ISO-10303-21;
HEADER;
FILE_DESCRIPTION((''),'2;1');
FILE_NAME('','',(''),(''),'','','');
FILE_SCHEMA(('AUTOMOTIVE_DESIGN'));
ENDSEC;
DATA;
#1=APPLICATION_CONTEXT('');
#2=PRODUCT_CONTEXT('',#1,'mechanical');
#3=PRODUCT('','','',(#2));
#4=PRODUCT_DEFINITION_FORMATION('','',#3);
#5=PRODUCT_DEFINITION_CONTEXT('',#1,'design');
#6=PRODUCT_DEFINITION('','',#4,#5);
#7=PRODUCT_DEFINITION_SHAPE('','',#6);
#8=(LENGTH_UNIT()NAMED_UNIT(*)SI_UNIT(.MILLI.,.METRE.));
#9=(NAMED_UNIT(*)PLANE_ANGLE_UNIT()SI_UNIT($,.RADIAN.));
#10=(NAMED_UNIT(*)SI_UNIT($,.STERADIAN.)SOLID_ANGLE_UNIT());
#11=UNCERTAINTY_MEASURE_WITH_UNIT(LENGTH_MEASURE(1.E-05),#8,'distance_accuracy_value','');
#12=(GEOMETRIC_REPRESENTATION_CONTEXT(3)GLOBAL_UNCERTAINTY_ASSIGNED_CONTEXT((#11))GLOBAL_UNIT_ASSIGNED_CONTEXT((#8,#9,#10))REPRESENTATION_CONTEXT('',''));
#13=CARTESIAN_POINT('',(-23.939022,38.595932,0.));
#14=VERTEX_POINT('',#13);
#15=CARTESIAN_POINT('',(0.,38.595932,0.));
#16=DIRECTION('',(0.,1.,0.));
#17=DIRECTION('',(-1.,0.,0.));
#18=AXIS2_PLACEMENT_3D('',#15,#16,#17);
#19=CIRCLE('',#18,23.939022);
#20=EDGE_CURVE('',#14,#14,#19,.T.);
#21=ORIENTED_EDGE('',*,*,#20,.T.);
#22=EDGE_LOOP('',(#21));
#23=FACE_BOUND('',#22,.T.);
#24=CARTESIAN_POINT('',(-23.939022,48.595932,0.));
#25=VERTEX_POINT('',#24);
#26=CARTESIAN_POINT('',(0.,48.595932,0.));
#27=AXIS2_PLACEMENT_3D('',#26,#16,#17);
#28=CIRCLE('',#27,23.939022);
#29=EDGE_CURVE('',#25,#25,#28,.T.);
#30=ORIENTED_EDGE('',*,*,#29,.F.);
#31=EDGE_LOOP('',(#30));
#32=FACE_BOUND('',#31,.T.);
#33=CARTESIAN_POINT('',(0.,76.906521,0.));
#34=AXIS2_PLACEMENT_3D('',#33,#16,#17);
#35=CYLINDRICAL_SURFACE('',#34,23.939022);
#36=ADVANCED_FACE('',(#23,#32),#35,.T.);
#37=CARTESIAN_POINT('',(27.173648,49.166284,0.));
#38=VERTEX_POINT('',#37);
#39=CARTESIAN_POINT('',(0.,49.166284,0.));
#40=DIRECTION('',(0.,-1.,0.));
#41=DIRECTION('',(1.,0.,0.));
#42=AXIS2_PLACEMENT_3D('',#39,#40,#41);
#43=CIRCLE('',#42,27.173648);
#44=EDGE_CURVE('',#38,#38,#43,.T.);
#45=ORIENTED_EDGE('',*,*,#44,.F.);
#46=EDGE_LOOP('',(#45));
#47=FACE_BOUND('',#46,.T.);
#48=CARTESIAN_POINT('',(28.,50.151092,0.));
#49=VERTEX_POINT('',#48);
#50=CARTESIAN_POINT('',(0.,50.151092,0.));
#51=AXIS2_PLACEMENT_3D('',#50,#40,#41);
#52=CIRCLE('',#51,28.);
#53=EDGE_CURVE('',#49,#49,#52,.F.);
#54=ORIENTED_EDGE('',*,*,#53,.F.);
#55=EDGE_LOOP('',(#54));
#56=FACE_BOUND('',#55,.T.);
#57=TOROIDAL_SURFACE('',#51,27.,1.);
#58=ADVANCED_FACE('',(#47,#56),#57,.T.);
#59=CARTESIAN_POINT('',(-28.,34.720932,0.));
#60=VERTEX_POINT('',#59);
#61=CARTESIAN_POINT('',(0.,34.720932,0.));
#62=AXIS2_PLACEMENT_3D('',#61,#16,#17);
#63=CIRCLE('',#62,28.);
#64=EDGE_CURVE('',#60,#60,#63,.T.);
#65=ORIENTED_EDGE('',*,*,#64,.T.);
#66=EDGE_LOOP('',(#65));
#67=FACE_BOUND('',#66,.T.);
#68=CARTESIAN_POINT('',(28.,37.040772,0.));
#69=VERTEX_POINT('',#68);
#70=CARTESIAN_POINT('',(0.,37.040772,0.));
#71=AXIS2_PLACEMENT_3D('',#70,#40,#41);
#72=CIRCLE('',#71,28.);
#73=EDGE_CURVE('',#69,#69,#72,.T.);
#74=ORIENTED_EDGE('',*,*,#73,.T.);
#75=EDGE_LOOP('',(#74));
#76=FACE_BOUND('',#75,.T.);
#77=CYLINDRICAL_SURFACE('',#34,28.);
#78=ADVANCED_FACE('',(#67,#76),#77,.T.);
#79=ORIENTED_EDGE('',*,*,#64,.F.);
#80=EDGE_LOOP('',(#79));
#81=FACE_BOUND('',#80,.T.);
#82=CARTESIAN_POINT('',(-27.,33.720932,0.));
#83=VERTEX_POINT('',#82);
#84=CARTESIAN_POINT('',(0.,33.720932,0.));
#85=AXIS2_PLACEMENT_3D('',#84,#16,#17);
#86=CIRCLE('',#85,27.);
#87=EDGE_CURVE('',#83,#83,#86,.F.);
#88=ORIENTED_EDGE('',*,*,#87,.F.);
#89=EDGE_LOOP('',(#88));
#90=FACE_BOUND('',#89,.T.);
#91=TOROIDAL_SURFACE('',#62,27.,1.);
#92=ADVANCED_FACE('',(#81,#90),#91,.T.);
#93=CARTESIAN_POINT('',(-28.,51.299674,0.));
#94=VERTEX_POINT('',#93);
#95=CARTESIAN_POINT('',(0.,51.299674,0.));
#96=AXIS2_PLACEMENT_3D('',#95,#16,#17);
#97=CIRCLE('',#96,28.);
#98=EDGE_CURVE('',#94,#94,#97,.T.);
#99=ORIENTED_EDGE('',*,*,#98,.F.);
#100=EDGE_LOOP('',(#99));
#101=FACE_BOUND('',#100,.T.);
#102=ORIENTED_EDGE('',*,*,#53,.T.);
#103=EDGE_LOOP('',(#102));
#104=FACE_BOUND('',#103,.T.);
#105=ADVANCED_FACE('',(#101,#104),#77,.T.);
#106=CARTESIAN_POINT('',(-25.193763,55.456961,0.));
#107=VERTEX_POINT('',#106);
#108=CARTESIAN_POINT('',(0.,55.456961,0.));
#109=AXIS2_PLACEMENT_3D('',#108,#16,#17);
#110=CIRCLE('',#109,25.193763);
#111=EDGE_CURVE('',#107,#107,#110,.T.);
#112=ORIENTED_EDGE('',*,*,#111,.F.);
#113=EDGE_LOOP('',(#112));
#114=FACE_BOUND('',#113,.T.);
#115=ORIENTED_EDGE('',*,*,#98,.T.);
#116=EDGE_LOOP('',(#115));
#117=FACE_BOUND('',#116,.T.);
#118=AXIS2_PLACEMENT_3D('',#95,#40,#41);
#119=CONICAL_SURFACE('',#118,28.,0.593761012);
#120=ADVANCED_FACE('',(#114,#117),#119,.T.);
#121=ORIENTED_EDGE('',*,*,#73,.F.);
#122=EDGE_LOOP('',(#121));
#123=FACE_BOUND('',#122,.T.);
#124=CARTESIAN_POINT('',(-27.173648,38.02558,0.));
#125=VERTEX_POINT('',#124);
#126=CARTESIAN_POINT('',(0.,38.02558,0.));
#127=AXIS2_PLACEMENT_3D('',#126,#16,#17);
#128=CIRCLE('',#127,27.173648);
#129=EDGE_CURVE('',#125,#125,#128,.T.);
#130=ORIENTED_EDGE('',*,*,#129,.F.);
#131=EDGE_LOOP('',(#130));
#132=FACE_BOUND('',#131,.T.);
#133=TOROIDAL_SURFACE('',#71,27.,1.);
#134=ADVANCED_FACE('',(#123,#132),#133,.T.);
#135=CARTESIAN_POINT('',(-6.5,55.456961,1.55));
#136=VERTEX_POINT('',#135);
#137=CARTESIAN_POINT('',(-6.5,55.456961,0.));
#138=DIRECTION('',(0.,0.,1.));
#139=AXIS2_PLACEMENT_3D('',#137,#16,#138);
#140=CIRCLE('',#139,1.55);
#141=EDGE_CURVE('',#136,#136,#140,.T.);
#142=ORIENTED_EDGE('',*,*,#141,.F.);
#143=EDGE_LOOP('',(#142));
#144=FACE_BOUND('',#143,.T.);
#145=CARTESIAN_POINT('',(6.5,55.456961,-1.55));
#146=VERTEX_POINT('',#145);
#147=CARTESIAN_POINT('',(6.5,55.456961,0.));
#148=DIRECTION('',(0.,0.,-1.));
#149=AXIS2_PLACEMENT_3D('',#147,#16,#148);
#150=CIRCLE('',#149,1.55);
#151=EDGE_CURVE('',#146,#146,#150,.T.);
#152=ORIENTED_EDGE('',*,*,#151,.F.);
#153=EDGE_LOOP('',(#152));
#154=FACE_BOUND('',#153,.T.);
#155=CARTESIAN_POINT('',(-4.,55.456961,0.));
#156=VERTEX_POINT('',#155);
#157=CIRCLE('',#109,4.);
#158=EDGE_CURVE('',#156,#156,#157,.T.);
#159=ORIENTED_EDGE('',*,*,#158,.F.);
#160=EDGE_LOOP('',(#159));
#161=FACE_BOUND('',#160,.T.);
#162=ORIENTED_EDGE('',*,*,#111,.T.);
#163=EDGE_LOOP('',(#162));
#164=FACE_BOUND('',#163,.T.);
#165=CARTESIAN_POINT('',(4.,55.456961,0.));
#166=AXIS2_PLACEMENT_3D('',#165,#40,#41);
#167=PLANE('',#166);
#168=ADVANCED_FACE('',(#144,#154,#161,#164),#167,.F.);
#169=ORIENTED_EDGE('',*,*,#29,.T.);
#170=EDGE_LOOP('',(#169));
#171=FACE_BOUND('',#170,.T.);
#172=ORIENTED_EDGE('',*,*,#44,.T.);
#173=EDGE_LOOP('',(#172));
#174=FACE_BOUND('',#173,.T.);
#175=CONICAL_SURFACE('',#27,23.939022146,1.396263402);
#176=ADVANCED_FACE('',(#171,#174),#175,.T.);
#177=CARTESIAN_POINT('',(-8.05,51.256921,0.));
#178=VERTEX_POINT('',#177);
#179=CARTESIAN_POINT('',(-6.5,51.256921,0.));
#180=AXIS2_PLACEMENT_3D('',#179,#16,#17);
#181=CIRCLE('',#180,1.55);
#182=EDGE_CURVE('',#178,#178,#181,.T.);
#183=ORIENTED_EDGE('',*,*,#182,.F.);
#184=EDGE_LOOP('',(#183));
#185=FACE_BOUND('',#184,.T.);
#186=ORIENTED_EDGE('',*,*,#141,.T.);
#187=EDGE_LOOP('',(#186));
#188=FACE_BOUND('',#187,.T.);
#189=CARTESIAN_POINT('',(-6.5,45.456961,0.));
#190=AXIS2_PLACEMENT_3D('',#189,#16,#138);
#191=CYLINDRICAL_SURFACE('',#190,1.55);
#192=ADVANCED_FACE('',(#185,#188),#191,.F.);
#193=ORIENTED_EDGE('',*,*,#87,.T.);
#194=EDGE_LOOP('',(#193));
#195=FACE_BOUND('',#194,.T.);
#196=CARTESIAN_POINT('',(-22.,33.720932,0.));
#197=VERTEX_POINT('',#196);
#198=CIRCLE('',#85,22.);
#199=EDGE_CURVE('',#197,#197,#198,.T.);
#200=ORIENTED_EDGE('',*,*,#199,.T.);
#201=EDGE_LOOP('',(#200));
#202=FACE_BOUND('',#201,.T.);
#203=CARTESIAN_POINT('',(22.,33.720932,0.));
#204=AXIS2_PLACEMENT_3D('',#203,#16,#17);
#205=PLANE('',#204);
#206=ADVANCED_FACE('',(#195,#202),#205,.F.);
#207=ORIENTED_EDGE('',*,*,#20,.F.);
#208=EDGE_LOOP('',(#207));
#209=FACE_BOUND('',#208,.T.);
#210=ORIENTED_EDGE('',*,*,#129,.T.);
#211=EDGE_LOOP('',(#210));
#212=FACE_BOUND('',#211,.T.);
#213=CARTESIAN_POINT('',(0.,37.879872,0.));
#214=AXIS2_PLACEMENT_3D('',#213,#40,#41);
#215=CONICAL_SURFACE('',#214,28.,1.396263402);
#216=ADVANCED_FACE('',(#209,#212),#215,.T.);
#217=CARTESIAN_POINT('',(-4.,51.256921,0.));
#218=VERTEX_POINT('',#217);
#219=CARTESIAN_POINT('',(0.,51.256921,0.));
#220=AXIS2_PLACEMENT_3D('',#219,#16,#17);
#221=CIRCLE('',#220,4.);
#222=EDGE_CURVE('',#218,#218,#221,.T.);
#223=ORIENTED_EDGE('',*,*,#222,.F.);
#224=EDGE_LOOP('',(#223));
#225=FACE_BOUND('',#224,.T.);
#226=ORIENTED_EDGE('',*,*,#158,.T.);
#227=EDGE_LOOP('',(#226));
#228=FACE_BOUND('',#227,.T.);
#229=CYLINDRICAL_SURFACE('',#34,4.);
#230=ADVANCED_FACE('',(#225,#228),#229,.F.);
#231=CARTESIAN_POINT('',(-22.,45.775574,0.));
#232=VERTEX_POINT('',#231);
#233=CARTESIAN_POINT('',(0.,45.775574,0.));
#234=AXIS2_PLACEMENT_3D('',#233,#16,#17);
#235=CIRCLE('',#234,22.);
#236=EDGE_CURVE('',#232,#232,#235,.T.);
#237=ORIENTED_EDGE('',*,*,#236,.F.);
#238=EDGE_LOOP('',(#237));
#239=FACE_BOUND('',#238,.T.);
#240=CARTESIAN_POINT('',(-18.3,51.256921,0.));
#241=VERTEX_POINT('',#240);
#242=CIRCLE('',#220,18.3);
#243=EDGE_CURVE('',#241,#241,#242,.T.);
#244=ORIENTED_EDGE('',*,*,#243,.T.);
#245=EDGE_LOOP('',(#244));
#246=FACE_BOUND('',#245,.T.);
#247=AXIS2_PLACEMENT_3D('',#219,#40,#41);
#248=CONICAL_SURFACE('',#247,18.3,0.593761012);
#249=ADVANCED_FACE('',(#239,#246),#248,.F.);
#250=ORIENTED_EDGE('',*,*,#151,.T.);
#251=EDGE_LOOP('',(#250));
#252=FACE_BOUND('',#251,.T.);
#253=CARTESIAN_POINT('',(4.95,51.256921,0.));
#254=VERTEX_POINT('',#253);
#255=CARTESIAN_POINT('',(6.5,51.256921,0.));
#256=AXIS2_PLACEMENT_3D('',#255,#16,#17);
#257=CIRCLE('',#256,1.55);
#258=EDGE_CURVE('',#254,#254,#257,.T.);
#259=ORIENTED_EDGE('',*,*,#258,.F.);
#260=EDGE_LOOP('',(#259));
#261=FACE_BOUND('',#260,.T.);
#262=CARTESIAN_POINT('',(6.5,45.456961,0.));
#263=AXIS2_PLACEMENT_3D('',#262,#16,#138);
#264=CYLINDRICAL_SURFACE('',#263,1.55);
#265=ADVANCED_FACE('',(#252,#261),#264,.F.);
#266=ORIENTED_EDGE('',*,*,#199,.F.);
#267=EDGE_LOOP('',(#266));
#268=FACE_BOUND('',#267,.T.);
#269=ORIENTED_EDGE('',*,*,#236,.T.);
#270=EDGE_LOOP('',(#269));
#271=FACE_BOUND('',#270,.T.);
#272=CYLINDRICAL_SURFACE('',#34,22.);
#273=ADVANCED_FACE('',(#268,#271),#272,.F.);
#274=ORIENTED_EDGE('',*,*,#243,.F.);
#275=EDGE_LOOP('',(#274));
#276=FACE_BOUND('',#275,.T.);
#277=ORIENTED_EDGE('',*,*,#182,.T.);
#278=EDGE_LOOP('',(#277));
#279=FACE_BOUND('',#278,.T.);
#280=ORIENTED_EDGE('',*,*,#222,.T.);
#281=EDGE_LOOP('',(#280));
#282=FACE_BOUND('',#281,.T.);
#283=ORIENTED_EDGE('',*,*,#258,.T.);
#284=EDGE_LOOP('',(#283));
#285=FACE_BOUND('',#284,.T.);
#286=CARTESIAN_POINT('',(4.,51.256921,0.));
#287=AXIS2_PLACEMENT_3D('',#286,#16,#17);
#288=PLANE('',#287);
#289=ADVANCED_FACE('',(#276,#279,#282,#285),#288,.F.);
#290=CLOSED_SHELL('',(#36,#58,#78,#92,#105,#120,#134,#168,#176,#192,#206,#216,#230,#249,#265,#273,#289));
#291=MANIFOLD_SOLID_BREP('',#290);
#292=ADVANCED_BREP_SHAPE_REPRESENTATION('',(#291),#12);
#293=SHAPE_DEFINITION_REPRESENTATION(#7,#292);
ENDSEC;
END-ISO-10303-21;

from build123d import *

# Parameters (mm, degrees)
SKETCH_3_R          = 1.55
CUT_EXTRUDE_1_DEPTH = 10
FILLET_1_R          = 1
FILLET_2_R          = 1
FILLET_3_R          = 1


with BuildPart() as part:
    # 草图1 → 旋转1 (revolve)
    with BuildSketch(Plane.XY, mode=Mode.PRIVATE) as revolve_1_sk:
        Polygon((28, 36.720931937), (28, 37.879871974), (23.939022146, 38.595931937), (23.939022146, 48.595931937), (28, 49.311991901), (28, 51.299673955), (25.1937626, 55.456960988), (4, 55.456960988), (4, 51.256921373), (18.3, 51.256921373), (22, 45.775573993), (22, 36.720931937), (22, 33.720931937), (28, 33.720931937), align=None)
    revolve(revolve_1_sk.sketch.rotate(Axis((0, 76.906520748, 0), (0, -1, 0)), 180), axis=Axis((0, 76.906520748, 0), (0, -1, 0)))

    # 草图3 → 切除-拉伸1 (cut)
    with BuildSketch(Plane(origin=(0, 55.456960988, 0), x_dir=(1, 0, 0), z_dir=(0, 1, 0))):
        with Locations(Location((-6.5, 0, 0), (0, 0, 270))):
            Circle(SKETCH_3_R)
        with Locations(Location((6.5, 0, 0), (0, 0, 180))):
            Circle(SKETCH_3_R)
    extrude(amount=-CUT_EXTRUDE_1_DEPTH, mode=Mode.SUBTRACT)

    # 圆角1
    fillet_1_edges = [part.edges().sort_by_distance(p)[0] for p in [
        (28, 49.311991901, 0),
    ]]
    fillet(fillet_1_edges, radius=FILLET_1_R)

    # 圆角2
    fillet_2_edges = [part.edges().sort_by_distance(p)[0] for p in [
        (28, 37.879871974, 0),
    ]]
    fillet(fillet_2_edges, radius=FILLET_2_R)

    # 圆角3
    fillet_3_edges = [part.edges().sort_by_distance(p)[0] for p in [
        (28, 33.720931937, 0),
    ]]
    fillet(fillet_3_edges, radius=FILLET_3_R)


solid = part.part
